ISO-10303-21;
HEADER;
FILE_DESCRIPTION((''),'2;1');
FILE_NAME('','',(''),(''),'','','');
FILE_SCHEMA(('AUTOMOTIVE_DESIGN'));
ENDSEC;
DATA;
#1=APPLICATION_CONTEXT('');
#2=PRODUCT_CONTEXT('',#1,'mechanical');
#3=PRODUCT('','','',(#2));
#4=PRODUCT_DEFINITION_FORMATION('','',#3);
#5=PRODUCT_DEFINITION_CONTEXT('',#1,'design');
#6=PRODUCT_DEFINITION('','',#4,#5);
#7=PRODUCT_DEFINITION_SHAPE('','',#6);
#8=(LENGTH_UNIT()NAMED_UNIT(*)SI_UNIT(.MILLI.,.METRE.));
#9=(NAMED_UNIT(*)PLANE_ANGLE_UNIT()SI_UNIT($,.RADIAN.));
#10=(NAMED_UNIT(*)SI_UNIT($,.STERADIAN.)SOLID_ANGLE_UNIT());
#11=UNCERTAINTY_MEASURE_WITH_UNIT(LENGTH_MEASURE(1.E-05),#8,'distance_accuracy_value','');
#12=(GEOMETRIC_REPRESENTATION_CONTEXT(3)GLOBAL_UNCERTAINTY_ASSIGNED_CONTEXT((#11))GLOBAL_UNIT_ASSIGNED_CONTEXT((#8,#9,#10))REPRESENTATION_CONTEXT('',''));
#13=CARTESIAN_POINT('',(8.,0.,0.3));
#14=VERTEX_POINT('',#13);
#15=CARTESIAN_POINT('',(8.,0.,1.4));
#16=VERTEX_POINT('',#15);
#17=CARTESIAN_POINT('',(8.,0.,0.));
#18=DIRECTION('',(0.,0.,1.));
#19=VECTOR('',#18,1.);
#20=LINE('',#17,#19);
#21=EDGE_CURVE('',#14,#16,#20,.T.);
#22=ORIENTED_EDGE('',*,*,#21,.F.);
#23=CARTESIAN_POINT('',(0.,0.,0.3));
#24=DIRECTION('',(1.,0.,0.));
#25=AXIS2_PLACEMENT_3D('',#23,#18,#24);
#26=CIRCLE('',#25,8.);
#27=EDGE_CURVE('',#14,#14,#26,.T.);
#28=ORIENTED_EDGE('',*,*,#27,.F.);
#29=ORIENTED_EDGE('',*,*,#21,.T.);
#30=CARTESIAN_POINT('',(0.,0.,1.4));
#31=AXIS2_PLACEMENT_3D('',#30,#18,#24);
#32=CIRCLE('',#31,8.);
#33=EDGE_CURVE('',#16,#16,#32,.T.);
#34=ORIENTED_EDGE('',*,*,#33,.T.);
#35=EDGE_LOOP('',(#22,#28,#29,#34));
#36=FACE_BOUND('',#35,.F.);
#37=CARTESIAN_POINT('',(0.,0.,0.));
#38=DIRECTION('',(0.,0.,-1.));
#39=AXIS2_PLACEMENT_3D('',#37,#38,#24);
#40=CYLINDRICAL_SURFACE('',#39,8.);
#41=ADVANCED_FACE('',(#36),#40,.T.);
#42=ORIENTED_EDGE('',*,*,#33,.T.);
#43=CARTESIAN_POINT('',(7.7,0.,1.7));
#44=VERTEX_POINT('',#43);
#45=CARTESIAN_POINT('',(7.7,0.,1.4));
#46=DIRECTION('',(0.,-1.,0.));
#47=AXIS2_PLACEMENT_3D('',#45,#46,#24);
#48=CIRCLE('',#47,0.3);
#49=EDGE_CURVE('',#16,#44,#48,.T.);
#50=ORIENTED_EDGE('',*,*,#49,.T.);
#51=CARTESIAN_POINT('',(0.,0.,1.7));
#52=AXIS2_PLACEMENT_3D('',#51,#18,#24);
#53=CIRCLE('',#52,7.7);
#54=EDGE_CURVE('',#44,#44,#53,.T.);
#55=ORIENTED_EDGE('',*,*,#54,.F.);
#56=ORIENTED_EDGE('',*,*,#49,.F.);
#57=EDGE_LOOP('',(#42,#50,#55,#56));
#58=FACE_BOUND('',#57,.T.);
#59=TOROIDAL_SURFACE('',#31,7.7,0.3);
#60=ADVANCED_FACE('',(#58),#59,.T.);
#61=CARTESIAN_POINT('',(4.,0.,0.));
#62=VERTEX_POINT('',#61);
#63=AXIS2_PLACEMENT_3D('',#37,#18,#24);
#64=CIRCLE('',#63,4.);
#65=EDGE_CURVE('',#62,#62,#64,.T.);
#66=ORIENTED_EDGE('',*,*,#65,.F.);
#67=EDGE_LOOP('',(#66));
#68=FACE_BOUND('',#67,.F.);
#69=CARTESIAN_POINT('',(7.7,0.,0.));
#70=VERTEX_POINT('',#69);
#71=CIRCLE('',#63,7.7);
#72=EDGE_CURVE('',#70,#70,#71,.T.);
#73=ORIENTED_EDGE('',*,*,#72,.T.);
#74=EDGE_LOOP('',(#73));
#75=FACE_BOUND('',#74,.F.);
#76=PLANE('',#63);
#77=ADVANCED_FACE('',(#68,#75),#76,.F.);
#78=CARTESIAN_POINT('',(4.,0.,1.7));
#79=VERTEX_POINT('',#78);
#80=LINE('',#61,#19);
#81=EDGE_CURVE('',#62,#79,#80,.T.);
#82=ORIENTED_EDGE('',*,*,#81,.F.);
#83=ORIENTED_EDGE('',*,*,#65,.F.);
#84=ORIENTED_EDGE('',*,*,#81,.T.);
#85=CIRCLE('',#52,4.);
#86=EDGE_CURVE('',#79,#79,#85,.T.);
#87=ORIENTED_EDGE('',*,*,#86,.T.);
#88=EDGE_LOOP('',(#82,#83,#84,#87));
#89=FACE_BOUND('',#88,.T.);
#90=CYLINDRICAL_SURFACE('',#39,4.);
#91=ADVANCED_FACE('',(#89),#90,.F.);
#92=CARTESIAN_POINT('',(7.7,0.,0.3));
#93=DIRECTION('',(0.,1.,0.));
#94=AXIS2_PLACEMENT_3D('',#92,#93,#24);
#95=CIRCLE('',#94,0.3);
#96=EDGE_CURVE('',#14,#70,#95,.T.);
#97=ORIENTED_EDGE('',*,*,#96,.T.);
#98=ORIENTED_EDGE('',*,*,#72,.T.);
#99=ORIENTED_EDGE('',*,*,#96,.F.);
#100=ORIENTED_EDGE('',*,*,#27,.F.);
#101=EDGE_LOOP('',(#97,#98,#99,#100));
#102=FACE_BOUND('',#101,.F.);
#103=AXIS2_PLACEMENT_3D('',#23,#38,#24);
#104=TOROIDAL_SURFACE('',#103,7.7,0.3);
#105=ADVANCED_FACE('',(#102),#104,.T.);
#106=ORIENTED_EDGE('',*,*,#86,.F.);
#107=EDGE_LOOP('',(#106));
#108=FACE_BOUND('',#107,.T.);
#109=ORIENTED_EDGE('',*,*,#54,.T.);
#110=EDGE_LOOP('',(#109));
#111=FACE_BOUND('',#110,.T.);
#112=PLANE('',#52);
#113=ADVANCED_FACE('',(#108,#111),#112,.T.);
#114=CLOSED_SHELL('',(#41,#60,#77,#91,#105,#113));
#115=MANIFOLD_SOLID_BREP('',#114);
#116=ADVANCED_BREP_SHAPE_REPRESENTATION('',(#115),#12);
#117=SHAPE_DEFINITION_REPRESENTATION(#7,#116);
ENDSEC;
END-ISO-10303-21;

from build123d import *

# Parameters (mm, degrees)
CYLINDER001_R     = 4
CYLINDER001_DEPTH = 1.7
CYLINDER_R        = 8
CYLINDER_DEPTH    = 1.7
FILLET_R          = 0.3


with BuildPart() as cilindroint:
    # Cylinder001 → Cylinder001 (new body)
    with BuildSketch(Plane.XY):
        Circle(CYLINDER001_R)
    extrude(amount=CYLINDER001_DEPTH)


with BuildPart() as rondana516:
    # Cylinder → Cylinder (new body)
    with BuildSketch(Plane.XY):
        Circle(CYLINDER_R)
    extrude(amount=CYLINDER_DEPTH)

    # Cut: cut cilindroInt
    add(cilindroint.part, mode=Mode.SUBTRACT)

    # Fillet
    fillet_edges = [rondana516.edges().sort_by_distance(p)[0] for p in [
        (-8, 0, 1.7),
        (-8, 0, 0),
    ]]
    fillet(fillet_edges, radius=FILLET_R)


solid = rondana516.part
